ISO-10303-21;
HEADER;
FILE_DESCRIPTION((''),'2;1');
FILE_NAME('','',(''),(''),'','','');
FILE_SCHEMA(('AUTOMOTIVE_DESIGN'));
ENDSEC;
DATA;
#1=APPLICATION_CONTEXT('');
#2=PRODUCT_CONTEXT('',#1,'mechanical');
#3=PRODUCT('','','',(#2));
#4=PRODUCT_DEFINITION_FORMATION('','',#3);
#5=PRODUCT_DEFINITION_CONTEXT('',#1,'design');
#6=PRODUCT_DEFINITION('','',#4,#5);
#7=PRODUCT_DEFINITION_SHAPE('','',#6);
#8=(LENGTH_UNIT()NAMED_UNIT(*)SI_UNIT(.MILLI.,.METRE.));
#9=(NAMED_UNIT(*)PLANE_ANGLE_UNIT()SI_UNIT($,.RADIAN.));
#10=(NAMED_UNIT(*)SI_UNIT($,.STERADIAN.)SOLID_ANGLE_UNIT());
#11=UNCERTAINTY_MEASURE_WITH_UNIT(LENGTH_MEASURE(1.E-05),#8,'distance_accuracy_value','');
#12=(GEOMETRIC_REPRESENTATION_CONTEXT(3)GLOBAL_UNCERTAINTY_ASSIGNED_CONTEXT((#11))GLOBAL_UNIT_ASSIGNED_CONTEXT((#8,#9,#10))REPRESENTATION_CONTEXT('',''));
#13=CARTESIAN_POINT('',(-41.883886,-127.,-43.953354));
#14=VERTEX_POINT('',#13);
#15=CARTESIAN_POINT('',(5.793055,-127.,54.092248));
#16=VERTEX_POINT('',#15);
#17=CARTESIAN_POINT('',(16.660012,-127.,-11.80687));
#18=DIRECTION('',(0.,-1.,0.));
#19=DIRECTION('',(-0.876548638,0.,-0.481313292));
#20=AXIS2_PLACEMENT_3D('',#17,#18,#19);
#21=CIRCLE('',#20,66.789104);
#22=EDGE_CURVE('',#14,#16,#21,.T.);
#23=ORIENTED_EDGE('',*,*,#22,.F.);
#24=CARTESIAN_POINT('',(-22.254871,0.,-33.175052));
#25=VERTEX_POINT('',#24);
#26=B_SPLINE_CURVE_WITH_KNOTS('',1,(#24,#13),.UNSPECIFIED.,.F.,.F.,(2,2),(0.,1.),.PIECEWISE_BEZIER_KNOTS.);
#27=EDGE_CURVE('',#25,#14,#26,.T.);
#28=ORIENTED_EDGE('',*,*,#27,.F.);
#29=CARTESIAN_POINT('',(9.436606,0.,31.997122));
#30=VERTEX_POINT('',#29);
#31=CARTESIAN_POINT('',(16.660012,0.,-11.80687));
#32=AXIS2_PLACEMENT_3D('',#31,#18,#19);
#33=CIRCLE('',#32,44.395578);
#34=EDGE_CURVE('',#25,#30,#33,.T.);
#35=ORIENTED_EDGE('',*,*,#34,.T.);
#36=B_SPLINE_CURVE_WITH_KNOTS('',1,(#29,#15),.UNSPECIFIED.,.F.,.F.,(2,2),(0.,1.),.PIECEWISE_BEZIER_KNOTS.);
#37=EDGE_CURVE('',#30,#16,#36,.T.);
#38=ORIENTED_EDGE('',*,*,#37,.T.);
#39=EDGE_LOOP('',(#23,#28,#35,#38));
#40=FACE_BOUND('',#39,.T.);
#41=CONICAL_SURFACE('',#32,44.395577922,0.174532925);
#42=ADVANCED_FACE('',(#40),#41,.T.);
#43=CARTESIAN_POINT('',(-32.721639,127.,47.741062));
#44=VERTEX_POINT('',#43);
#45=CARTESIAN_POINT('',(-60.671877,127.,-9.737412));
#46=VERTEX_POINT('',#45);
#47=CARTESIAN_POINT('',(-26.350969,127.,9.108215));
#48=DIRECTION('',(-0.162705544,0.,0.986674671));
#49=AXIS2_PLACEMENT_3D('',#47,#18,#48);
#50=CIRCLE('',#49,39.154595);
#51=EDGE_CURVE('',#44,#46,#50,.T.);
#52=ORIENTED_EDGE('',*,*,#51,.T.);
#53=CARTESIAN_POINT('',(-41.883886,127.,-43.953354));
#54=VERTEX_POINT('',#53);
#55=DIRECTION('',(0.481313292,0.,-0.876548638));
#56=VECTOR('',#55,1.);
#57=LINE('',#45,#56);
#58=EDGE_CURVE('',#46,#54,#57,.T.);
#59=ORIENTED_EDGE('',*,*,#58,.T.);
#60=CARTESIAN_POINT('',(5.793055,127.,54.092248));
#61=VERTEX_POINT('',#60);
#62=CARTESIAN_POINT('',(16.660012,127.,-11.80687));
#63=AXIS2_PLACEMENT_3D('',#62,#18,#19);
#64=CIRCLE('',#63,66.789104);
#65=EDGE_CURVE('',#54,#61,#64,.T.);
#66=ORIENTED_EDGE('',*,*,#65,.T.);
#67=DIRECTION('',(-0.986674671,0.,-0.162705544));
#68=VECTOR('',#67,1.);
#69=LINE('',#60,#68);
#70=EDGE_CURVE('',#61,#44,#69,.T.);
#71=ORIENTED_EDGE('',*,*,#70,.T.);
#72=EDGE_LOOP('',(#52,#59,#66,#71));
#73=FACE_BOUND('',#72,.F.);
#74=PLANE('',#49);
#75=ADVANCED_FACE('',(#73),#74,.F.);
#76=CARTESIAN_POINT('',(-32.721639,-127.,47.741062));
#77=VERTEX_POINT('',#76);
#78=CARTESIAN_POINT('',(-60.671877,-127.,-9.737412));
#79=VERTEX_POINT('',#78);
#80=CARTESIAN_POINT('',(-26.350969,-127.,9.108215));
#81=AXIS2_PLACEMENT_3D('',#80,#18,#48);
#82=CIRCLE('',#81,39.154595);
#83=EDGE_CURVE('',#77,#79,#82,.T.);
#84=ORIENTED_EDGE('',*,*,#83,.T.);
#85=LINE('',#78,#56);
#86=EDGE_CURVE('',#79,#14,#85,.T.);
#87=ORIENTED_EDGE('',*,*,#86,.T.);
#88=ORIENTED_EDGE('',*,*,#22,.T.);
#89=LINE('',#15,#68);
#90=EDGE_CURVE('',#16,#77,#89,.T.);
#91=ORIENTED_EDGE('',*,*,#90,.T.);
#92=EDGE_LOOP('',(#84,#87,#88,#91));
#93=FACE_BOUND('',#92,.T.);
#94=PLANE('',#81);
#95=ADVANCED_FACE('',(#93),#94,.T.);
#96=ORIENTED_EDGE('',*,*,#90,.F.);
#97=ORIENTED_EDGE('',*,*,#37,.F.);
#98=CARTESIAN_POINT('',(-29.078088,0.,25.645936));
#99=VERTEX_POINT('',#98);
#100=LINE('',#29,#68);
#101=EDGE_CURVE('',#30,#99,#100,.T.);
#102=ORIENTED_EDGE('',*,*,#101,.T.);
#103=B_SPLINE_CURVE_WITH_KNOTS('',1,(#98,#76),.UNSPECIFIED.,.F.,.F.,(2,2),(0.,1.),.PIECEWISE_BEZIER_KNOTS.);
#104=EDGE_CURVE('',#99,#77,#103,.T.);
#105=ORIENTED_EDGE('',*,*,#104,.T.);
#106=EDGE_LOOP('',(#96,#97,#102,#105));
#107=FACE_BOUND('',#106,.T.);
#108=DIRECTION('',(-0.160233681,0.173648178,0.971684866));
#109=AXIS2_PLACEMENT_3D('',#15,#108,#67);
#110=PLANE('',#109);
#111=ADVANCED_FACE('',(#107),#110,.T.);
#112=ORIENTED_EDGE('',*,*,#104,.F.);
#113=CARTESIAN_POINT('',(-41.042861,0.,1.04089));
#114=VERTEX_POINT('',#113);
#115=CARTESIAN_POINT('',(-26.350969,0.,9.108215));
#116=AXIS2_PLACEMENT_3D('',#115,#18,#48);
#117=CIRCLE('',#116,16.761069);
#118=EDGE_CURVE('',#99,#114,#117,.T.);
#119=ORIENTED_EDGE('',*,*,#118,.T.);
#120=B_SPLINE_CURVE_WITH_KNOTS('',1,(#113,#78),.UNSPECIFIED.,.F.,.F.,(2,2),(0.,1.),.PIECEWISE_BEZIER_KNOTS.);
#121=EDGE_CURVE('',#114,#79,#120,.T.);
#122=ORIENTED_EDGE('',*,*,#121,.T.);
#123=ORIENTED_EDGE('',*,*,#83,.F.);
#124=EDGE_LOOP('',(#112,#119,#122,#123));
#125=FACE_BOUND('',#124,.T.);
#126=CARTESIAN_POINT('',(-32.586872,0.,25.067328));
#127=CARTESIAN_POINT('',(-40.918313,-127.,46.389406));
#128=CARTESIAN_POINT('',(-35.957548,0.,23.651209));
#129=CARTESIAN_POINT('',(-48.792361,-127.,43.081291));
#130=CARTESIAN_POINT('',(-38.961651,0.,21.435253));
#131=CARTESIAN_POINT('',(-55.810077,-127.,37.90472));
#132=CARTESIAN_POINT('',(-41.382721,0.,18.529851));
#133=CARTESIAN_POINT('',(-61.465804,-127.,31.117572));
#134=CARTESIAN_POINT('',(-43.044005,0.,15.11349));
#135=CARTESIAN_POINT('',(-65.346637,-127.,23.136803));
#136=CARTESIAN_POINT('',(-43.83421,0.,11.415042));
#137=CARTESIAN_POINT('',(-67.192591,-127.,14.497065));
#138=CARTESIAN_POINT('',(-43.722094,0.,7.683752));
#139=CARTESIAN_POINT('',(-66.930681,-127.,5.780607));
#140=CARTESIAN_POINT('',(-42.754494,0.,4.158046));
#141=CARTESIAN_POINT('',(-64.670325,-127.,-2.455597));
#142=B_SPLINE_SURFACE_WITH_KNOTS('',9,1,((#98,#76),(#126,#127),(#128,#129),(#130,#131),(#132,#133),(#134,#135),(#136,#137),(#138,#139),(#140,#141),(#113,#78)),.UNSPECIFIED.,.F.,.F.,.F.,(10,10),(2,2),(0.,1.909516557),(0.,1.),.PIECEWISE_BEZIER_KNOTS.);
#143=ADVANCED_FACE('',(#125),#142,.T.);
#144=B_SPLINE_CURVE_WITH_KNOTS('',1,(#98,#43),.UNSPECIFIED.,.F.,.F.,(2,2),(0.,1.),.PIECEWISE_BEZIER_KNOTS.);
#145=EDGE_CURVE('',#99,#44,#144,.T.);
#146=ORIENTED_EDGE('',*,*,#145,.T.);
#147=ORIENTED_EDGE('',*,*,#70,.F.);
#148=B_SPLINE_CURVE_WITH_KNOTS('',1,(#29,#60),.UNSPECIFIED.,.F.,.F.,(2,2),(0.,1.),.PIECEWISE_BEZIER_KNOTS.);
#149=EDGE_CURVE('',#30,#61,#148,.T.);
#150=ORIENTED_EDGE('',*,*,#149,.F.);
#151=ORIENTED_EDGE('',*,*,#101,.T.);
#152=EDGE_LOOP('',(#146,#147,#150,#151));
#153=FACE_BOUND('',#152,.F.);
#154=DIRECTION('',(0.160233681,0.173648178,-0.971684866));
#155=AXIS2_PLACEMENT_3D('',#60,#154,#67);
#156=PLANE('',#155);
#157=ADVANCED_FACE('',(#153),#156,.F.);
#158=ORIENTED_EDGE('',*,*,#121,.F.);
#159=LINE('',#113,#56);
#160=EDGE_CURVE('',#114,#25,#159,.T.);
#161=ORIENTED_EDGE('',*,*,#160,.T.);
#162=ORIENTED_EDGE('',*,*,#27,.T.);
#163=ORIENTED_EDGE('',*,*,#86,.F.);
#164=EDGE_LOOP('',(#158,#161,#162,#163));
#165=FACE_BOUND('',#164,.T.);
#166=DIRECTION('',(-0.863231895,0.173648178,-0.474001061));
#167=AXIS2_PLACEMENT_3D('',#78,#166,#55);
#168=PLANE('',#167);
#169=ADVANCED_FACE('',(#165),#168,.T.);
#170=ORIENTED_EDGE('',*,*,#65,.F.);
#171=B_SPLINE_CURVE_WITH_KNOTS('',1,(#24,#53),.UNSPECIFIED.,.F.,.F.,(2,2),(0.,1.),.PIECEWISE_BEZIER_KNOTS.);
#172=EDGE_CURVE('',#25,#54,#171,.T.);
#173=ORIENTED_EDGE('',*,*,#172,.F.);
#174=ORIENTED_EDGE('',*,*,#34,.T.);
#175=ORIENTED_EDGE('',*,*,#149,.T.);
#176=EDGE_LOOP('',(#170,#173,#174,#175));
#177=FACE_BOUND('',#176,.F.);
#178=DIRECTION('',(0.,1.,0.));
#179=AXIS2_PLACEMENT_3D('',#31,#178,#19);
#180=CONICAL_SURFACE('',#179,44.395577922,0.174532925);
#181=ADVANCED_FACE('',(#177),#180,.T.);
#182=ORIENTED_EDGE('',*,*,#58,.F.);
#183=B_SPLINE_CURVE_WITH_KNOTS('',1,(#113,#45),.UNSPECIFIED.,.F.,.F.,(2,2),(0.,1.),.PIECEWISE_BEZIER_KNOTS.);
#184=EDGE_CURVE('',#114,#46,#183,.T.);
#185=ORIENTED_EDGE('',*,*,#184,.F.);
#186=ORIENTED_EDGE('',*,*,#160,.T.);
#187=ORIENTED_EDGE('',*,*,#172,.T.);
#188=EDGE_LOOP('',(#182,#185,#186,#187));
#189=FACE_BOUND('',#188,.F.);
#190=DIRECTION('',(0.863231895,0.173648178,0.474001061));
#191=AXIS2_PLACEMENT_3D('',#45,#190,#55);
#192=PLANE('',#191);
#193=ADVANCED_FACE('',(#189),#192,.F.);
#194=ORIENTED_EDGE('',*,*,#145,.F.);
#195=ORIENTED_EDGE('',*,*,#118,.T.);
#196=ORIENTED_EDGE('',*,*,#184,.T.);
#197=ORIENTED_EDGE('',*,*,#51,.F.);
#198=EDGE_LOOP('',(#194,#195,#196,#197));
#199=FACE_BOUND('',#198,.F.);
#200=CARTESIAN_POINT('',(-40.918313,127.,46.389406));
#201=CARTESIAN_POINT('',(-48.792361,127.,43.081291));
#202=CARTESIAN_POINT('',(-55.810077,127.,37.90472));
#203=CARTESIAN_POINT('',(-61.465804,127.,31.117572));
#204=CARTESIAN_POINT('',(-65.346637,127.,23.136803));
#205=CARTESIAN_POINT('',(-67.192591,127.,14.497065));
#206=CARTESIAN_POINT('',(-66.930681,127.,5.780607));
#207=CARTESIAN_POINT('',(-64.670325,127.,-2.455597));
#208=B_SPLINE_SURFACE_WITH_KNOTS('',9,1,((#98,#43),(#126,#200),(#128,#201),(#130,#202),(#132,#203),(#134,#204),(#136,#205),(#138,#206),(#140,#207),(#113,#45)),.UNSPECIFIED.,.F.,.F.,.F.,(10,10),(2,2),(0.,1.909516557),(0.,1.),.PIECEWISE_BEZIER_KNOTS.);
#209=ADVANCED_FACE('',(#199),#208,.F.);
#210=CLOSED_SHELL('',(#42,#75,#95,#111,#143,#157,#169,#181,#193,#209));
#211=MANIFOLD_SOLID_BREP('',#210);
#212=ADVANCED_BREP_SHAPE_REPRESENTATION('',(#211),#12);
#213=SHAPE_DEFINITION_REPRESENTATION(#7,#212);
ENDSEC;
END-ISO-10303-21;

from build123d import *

# Parameters (mm, degrees)
F1_DEPTH = 127
F1_TAPER = -10


with BuildPart() as f1:
    # F0 (on Front) → F1 (new body, symmetric)
    with BuildSketch(Plane.XZ):
        with BuildLine():
            Line((9.4366056551, 31.9971223519), (-29.0780882326, 25.645936495))
            ThreePointArc((-29.0780882326, 25.645936495), (-41.424375402, 16.4380068606), (-41.0428613167, 1.0408895322))
            Line((-41.0428613167, 1.0408895322), (-22.2548710668, -33.1750516271))
            ThreePointArc((-22.2548710668, -33.1750516271), (56.5854242226, -31.2215247106), (9.4366056551, 31.9971223519))
        make_face()
    extrude(amount=F1_DEPTH, both=True, taper=F1_TAPER)


solid = f1.part
